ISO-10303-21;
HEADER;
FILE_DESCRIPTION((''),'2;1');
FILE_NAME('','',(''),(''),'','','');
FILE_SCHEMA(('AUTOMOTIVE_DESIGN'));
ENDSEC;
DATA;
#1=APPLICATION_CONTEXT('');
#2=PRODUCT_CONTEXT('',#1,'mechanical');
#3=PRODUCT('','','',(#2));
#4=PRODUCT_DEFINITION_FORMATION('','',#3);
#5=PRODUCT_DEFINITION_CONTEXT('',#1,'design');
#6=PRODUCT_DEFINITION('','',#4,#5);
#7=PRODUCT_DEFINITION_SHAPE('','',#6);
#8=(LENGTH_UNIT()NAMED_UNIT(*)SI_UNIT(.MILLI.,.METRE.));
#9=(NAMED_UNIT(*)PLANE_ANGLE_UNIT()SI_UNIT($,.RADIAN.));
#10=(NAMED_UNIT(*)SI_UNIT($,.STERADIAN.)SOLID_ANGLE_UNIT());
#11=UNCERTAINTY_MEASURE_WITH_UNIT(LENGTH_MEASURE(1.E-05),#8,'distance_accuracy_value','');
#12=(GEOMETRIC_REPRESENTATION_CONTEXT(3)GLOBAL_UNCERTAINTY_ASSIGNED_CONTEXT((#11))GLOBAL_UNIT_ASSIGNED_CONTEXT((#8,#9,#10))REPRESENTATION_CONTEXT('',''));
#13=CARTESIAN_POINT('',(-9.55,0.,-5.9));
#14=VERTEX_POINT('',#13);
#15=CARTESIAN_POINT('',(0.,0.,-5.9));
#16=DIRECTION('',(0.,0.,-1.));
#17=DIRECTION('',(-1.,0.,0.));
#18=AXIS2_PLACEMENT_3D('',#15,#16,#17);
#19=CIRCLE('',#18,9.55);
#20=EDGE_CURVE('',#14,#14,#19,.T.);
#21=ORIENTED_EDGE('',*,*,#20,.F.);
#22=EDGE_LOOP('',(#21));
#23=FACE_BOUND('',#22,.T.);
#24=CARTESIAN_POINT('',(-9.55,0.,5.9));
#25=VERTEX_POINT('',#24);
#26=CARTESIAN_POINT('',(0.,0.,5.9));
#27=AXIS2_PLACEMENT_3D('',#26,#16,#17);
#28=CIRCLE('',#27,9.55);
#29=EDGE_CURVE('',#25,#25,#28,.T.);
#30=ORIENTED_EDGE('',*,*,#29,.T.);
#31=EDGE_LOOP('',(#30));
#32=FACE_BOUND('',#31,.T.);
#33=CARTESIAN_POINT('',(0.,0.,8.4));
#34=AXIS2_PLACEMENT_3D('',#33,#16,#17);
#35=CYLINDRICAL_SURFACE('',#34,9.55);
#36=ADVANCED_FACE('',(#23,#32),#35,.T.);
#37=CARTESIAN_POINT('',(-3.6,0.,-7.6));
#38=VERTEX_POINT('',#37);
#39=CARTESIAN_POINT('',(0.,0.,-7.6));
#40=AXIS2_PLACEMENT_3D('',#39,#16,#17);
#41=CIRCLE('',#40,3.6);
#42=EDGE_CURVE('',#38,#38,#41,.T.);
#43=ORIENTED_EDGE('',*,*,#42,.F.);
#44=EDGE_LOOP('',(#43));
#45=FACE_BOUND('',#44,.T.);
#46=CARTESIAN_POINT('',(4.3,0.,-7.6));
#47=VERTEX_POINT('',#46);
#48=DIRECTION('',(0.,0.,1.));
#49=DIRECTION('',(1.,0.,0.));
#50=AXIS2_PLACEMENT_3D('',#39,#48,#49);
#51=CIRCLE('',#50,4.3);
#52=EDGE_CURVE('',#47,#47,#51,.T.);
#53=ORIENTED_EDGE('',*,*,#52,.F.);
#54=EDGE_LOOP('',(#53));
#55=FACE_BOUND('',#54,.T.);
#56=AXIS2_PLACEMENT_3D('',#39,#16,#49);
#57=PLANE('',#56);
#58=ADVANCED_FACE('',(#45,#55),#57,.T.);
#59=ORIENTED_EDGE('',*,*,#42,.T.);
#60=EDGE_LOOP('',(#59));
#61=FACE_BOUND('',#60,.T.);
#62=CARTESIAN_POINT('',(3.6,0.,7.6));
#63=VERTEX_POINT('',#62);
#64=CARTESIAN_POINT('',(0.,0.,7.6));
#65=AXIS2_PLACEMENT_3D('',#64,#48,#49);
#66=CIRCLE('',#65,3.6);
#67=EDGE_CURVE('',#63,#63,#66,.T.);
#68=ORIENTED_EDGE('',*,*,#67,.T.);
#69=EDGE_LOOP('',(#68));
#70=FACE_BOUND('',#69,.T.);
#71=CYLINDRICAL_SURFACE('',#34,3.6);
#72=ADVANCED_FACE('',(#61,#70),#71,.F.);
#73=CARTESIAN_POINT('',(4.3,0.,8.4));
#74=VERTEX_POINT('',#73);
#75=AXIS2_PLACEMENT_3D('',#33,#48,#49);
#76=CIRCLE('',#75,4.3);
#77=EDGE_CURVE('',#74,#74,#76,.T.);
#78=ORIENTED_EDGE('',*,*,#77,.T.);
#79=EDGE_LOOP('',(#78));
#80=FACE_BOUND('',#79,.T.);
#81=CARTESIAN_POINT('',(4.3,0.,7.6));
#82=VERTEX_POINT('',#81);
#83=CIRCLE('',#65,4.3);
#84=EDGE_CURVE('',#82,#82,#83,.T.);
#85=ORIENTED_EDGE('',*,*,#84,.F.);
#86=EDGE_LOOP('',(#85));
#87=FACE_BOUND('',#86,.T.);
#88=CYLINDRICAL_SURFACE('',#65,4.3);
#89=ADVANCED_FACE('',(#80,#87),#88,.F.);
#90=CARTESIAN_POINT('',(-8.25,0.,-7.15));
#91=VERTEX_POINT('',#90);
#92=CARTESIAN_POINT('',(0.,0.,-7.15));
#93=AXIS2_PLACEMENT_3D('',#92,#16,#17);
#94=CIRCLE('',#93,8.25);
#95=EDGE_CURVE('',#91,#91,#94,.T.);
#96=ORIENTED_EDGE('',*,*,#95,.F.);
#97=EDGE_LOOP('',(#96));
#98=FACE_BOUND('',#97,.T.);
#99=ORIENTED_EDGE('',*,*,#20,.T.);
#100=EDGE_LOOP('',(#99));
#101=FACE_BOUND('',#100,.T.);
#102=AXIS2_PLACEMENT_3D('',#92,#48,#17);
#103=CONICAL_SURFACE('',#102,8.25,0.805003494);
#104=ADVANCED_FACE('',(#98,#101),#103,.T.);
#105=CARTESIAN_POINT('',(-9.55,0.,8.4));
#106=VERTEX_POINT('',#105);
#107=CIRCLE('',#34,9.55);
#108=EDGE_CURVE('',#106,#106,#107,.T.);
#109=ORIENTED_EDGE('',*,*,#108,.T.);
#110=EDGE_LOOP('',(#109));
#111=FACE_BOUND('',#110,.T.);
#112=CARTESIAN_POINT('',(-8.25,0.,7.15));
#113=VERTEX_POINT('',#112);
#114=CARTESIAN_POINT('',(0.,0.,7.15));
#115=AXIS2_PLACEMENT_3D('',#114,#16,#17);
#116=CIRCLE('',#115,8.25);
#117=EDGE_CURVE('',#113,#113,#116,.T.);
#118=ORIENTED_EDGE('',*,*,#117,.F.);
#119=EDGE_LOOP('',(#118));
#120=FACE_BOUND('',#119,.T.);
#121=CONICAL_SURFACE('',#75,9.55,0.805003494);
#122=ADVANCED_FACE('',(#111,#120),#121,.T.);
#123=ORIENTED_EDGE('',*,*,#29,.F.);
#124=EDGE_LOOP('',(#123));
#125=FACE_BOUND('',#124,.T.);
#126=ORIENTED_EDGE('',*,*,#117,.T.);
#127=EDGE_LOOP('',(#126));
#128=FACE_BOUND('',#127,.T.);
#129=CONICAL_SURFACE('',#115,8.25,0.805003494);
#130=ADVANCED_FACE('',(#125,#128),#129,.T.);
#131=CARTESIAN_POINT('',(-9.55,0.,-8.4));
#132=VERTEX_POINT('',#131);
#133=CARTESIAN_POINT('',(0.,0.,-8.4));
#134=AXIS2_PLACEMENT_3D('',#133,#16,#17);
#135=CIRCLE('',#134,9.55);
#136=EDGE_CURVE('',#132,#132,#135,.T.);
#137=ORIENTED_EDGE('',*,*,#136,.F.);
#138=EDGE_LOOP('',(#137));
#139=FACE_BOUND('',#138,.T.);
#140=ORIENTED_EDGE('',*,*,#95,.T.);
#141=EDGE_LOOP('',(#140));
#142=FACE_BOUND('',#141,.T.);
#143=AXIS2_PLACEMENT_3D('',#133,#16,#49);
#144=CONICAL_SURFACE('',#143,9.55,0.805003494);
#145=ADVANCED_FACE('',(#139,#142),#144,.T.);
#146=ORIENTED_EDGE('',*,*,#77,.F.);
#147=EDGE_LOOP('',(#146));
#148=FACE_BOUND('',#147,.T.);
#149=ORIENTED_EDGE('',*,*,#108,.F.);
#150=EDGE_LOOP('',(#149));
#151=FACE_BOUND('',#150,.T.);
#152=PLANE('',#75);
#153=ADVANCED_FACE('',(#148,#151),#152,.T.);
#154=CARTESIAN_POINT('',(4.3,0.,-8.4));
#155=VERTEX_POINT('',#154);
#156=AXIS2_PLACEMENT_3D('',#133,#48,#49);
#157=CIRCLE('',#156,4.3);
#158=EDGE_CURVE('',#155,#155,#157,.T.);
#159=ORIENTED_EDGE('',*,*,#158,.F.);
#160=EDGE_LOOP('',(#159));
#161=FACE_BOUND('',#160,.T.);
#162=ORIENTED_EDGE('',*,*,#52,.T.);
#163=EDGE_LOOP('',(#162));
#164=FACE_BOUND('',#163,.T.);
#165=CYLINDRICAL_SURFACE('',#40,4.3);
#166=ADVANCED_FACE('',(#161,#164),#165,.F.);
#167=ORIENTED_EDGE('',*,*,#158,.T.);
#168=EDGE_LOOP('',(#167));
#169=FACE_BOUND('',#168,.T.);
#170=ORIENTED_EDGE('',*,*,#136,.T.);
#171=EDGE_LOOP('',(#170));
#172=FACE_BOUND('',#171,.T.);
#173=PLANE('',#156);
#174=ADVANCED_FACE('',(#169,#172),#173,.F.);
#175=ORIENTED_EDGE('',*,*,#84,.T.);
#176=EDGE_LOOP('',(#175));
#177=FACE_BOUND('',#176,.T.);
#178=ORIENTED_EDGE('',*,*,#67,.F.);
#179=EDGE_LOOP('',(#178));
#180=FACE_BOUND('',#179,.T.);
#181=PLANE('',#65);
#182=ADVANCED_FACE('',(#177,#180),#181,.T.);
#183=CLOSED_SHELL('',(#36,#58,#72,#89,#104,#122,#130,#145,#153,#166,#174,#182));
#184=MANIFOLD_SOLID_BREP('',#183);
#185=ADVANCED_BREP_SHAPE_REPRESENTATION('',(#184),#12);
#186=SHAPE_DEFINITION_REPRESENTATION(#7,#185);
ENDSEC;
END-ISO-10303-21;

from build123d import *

# Parameters (mm, degrees)
SKETCH_1_R          = 9.55
SKETCH_1_R_2        = 3.6
EXTRUDE_1_DEPTH     = 8.4
SKETCH_2_R          = 4.3
CUT_EXTRUDE_1_DEPTH = 0.8


with BuildPart() as part:
    # 스케치1 → 보스-돌출1 (new body, symmetric)
    with BuildSketch(Plane.XY):
        Circle(SKETCH_1_R)
        Circle(SKETCH_1_R_2, mode=Mode.SUBTRACT)
    extrude(amount=EXTRUDE_1_DEPTH, both=True)

    # 스케치2 → 컷-돌출1 (cut)
    with BuildSketch(Plane.XY.offset(8.4)):
        Circle(SKETCH_2_R)
    cut_extrude_1 = extrude(amount=-CUT_EXTRUDE_1_DEPTH, mode=Mode.SUBTRACT)

    # 스케치3 → 컷-회전1 (revolve, cut)
    with BuildSketch(Plane(origin=(0, 0, 0), x_dir=(0, 0, -1), z_dir=(1, 0, 0))):
        Polygon((-8.4, 9.55), (-5.9, 9.55), (-7.15, 8.25), align=None)
    cut_revolve_1 = revolve(axis=Axis((0, 0, 0), (0, 0, 1)), mode=Mode.SUBTRACT)

    # 대칭 복사1: 컷-돌출1, 컷-회전1 across plane
    add(cut_extrude_1.mirror(Plane.XY), mode=Mode.SUBTRACT)
    add(cut_revolve_1.mirror(Plane.XY), mode=Mode.SUBTRACT)


solid = part.part
